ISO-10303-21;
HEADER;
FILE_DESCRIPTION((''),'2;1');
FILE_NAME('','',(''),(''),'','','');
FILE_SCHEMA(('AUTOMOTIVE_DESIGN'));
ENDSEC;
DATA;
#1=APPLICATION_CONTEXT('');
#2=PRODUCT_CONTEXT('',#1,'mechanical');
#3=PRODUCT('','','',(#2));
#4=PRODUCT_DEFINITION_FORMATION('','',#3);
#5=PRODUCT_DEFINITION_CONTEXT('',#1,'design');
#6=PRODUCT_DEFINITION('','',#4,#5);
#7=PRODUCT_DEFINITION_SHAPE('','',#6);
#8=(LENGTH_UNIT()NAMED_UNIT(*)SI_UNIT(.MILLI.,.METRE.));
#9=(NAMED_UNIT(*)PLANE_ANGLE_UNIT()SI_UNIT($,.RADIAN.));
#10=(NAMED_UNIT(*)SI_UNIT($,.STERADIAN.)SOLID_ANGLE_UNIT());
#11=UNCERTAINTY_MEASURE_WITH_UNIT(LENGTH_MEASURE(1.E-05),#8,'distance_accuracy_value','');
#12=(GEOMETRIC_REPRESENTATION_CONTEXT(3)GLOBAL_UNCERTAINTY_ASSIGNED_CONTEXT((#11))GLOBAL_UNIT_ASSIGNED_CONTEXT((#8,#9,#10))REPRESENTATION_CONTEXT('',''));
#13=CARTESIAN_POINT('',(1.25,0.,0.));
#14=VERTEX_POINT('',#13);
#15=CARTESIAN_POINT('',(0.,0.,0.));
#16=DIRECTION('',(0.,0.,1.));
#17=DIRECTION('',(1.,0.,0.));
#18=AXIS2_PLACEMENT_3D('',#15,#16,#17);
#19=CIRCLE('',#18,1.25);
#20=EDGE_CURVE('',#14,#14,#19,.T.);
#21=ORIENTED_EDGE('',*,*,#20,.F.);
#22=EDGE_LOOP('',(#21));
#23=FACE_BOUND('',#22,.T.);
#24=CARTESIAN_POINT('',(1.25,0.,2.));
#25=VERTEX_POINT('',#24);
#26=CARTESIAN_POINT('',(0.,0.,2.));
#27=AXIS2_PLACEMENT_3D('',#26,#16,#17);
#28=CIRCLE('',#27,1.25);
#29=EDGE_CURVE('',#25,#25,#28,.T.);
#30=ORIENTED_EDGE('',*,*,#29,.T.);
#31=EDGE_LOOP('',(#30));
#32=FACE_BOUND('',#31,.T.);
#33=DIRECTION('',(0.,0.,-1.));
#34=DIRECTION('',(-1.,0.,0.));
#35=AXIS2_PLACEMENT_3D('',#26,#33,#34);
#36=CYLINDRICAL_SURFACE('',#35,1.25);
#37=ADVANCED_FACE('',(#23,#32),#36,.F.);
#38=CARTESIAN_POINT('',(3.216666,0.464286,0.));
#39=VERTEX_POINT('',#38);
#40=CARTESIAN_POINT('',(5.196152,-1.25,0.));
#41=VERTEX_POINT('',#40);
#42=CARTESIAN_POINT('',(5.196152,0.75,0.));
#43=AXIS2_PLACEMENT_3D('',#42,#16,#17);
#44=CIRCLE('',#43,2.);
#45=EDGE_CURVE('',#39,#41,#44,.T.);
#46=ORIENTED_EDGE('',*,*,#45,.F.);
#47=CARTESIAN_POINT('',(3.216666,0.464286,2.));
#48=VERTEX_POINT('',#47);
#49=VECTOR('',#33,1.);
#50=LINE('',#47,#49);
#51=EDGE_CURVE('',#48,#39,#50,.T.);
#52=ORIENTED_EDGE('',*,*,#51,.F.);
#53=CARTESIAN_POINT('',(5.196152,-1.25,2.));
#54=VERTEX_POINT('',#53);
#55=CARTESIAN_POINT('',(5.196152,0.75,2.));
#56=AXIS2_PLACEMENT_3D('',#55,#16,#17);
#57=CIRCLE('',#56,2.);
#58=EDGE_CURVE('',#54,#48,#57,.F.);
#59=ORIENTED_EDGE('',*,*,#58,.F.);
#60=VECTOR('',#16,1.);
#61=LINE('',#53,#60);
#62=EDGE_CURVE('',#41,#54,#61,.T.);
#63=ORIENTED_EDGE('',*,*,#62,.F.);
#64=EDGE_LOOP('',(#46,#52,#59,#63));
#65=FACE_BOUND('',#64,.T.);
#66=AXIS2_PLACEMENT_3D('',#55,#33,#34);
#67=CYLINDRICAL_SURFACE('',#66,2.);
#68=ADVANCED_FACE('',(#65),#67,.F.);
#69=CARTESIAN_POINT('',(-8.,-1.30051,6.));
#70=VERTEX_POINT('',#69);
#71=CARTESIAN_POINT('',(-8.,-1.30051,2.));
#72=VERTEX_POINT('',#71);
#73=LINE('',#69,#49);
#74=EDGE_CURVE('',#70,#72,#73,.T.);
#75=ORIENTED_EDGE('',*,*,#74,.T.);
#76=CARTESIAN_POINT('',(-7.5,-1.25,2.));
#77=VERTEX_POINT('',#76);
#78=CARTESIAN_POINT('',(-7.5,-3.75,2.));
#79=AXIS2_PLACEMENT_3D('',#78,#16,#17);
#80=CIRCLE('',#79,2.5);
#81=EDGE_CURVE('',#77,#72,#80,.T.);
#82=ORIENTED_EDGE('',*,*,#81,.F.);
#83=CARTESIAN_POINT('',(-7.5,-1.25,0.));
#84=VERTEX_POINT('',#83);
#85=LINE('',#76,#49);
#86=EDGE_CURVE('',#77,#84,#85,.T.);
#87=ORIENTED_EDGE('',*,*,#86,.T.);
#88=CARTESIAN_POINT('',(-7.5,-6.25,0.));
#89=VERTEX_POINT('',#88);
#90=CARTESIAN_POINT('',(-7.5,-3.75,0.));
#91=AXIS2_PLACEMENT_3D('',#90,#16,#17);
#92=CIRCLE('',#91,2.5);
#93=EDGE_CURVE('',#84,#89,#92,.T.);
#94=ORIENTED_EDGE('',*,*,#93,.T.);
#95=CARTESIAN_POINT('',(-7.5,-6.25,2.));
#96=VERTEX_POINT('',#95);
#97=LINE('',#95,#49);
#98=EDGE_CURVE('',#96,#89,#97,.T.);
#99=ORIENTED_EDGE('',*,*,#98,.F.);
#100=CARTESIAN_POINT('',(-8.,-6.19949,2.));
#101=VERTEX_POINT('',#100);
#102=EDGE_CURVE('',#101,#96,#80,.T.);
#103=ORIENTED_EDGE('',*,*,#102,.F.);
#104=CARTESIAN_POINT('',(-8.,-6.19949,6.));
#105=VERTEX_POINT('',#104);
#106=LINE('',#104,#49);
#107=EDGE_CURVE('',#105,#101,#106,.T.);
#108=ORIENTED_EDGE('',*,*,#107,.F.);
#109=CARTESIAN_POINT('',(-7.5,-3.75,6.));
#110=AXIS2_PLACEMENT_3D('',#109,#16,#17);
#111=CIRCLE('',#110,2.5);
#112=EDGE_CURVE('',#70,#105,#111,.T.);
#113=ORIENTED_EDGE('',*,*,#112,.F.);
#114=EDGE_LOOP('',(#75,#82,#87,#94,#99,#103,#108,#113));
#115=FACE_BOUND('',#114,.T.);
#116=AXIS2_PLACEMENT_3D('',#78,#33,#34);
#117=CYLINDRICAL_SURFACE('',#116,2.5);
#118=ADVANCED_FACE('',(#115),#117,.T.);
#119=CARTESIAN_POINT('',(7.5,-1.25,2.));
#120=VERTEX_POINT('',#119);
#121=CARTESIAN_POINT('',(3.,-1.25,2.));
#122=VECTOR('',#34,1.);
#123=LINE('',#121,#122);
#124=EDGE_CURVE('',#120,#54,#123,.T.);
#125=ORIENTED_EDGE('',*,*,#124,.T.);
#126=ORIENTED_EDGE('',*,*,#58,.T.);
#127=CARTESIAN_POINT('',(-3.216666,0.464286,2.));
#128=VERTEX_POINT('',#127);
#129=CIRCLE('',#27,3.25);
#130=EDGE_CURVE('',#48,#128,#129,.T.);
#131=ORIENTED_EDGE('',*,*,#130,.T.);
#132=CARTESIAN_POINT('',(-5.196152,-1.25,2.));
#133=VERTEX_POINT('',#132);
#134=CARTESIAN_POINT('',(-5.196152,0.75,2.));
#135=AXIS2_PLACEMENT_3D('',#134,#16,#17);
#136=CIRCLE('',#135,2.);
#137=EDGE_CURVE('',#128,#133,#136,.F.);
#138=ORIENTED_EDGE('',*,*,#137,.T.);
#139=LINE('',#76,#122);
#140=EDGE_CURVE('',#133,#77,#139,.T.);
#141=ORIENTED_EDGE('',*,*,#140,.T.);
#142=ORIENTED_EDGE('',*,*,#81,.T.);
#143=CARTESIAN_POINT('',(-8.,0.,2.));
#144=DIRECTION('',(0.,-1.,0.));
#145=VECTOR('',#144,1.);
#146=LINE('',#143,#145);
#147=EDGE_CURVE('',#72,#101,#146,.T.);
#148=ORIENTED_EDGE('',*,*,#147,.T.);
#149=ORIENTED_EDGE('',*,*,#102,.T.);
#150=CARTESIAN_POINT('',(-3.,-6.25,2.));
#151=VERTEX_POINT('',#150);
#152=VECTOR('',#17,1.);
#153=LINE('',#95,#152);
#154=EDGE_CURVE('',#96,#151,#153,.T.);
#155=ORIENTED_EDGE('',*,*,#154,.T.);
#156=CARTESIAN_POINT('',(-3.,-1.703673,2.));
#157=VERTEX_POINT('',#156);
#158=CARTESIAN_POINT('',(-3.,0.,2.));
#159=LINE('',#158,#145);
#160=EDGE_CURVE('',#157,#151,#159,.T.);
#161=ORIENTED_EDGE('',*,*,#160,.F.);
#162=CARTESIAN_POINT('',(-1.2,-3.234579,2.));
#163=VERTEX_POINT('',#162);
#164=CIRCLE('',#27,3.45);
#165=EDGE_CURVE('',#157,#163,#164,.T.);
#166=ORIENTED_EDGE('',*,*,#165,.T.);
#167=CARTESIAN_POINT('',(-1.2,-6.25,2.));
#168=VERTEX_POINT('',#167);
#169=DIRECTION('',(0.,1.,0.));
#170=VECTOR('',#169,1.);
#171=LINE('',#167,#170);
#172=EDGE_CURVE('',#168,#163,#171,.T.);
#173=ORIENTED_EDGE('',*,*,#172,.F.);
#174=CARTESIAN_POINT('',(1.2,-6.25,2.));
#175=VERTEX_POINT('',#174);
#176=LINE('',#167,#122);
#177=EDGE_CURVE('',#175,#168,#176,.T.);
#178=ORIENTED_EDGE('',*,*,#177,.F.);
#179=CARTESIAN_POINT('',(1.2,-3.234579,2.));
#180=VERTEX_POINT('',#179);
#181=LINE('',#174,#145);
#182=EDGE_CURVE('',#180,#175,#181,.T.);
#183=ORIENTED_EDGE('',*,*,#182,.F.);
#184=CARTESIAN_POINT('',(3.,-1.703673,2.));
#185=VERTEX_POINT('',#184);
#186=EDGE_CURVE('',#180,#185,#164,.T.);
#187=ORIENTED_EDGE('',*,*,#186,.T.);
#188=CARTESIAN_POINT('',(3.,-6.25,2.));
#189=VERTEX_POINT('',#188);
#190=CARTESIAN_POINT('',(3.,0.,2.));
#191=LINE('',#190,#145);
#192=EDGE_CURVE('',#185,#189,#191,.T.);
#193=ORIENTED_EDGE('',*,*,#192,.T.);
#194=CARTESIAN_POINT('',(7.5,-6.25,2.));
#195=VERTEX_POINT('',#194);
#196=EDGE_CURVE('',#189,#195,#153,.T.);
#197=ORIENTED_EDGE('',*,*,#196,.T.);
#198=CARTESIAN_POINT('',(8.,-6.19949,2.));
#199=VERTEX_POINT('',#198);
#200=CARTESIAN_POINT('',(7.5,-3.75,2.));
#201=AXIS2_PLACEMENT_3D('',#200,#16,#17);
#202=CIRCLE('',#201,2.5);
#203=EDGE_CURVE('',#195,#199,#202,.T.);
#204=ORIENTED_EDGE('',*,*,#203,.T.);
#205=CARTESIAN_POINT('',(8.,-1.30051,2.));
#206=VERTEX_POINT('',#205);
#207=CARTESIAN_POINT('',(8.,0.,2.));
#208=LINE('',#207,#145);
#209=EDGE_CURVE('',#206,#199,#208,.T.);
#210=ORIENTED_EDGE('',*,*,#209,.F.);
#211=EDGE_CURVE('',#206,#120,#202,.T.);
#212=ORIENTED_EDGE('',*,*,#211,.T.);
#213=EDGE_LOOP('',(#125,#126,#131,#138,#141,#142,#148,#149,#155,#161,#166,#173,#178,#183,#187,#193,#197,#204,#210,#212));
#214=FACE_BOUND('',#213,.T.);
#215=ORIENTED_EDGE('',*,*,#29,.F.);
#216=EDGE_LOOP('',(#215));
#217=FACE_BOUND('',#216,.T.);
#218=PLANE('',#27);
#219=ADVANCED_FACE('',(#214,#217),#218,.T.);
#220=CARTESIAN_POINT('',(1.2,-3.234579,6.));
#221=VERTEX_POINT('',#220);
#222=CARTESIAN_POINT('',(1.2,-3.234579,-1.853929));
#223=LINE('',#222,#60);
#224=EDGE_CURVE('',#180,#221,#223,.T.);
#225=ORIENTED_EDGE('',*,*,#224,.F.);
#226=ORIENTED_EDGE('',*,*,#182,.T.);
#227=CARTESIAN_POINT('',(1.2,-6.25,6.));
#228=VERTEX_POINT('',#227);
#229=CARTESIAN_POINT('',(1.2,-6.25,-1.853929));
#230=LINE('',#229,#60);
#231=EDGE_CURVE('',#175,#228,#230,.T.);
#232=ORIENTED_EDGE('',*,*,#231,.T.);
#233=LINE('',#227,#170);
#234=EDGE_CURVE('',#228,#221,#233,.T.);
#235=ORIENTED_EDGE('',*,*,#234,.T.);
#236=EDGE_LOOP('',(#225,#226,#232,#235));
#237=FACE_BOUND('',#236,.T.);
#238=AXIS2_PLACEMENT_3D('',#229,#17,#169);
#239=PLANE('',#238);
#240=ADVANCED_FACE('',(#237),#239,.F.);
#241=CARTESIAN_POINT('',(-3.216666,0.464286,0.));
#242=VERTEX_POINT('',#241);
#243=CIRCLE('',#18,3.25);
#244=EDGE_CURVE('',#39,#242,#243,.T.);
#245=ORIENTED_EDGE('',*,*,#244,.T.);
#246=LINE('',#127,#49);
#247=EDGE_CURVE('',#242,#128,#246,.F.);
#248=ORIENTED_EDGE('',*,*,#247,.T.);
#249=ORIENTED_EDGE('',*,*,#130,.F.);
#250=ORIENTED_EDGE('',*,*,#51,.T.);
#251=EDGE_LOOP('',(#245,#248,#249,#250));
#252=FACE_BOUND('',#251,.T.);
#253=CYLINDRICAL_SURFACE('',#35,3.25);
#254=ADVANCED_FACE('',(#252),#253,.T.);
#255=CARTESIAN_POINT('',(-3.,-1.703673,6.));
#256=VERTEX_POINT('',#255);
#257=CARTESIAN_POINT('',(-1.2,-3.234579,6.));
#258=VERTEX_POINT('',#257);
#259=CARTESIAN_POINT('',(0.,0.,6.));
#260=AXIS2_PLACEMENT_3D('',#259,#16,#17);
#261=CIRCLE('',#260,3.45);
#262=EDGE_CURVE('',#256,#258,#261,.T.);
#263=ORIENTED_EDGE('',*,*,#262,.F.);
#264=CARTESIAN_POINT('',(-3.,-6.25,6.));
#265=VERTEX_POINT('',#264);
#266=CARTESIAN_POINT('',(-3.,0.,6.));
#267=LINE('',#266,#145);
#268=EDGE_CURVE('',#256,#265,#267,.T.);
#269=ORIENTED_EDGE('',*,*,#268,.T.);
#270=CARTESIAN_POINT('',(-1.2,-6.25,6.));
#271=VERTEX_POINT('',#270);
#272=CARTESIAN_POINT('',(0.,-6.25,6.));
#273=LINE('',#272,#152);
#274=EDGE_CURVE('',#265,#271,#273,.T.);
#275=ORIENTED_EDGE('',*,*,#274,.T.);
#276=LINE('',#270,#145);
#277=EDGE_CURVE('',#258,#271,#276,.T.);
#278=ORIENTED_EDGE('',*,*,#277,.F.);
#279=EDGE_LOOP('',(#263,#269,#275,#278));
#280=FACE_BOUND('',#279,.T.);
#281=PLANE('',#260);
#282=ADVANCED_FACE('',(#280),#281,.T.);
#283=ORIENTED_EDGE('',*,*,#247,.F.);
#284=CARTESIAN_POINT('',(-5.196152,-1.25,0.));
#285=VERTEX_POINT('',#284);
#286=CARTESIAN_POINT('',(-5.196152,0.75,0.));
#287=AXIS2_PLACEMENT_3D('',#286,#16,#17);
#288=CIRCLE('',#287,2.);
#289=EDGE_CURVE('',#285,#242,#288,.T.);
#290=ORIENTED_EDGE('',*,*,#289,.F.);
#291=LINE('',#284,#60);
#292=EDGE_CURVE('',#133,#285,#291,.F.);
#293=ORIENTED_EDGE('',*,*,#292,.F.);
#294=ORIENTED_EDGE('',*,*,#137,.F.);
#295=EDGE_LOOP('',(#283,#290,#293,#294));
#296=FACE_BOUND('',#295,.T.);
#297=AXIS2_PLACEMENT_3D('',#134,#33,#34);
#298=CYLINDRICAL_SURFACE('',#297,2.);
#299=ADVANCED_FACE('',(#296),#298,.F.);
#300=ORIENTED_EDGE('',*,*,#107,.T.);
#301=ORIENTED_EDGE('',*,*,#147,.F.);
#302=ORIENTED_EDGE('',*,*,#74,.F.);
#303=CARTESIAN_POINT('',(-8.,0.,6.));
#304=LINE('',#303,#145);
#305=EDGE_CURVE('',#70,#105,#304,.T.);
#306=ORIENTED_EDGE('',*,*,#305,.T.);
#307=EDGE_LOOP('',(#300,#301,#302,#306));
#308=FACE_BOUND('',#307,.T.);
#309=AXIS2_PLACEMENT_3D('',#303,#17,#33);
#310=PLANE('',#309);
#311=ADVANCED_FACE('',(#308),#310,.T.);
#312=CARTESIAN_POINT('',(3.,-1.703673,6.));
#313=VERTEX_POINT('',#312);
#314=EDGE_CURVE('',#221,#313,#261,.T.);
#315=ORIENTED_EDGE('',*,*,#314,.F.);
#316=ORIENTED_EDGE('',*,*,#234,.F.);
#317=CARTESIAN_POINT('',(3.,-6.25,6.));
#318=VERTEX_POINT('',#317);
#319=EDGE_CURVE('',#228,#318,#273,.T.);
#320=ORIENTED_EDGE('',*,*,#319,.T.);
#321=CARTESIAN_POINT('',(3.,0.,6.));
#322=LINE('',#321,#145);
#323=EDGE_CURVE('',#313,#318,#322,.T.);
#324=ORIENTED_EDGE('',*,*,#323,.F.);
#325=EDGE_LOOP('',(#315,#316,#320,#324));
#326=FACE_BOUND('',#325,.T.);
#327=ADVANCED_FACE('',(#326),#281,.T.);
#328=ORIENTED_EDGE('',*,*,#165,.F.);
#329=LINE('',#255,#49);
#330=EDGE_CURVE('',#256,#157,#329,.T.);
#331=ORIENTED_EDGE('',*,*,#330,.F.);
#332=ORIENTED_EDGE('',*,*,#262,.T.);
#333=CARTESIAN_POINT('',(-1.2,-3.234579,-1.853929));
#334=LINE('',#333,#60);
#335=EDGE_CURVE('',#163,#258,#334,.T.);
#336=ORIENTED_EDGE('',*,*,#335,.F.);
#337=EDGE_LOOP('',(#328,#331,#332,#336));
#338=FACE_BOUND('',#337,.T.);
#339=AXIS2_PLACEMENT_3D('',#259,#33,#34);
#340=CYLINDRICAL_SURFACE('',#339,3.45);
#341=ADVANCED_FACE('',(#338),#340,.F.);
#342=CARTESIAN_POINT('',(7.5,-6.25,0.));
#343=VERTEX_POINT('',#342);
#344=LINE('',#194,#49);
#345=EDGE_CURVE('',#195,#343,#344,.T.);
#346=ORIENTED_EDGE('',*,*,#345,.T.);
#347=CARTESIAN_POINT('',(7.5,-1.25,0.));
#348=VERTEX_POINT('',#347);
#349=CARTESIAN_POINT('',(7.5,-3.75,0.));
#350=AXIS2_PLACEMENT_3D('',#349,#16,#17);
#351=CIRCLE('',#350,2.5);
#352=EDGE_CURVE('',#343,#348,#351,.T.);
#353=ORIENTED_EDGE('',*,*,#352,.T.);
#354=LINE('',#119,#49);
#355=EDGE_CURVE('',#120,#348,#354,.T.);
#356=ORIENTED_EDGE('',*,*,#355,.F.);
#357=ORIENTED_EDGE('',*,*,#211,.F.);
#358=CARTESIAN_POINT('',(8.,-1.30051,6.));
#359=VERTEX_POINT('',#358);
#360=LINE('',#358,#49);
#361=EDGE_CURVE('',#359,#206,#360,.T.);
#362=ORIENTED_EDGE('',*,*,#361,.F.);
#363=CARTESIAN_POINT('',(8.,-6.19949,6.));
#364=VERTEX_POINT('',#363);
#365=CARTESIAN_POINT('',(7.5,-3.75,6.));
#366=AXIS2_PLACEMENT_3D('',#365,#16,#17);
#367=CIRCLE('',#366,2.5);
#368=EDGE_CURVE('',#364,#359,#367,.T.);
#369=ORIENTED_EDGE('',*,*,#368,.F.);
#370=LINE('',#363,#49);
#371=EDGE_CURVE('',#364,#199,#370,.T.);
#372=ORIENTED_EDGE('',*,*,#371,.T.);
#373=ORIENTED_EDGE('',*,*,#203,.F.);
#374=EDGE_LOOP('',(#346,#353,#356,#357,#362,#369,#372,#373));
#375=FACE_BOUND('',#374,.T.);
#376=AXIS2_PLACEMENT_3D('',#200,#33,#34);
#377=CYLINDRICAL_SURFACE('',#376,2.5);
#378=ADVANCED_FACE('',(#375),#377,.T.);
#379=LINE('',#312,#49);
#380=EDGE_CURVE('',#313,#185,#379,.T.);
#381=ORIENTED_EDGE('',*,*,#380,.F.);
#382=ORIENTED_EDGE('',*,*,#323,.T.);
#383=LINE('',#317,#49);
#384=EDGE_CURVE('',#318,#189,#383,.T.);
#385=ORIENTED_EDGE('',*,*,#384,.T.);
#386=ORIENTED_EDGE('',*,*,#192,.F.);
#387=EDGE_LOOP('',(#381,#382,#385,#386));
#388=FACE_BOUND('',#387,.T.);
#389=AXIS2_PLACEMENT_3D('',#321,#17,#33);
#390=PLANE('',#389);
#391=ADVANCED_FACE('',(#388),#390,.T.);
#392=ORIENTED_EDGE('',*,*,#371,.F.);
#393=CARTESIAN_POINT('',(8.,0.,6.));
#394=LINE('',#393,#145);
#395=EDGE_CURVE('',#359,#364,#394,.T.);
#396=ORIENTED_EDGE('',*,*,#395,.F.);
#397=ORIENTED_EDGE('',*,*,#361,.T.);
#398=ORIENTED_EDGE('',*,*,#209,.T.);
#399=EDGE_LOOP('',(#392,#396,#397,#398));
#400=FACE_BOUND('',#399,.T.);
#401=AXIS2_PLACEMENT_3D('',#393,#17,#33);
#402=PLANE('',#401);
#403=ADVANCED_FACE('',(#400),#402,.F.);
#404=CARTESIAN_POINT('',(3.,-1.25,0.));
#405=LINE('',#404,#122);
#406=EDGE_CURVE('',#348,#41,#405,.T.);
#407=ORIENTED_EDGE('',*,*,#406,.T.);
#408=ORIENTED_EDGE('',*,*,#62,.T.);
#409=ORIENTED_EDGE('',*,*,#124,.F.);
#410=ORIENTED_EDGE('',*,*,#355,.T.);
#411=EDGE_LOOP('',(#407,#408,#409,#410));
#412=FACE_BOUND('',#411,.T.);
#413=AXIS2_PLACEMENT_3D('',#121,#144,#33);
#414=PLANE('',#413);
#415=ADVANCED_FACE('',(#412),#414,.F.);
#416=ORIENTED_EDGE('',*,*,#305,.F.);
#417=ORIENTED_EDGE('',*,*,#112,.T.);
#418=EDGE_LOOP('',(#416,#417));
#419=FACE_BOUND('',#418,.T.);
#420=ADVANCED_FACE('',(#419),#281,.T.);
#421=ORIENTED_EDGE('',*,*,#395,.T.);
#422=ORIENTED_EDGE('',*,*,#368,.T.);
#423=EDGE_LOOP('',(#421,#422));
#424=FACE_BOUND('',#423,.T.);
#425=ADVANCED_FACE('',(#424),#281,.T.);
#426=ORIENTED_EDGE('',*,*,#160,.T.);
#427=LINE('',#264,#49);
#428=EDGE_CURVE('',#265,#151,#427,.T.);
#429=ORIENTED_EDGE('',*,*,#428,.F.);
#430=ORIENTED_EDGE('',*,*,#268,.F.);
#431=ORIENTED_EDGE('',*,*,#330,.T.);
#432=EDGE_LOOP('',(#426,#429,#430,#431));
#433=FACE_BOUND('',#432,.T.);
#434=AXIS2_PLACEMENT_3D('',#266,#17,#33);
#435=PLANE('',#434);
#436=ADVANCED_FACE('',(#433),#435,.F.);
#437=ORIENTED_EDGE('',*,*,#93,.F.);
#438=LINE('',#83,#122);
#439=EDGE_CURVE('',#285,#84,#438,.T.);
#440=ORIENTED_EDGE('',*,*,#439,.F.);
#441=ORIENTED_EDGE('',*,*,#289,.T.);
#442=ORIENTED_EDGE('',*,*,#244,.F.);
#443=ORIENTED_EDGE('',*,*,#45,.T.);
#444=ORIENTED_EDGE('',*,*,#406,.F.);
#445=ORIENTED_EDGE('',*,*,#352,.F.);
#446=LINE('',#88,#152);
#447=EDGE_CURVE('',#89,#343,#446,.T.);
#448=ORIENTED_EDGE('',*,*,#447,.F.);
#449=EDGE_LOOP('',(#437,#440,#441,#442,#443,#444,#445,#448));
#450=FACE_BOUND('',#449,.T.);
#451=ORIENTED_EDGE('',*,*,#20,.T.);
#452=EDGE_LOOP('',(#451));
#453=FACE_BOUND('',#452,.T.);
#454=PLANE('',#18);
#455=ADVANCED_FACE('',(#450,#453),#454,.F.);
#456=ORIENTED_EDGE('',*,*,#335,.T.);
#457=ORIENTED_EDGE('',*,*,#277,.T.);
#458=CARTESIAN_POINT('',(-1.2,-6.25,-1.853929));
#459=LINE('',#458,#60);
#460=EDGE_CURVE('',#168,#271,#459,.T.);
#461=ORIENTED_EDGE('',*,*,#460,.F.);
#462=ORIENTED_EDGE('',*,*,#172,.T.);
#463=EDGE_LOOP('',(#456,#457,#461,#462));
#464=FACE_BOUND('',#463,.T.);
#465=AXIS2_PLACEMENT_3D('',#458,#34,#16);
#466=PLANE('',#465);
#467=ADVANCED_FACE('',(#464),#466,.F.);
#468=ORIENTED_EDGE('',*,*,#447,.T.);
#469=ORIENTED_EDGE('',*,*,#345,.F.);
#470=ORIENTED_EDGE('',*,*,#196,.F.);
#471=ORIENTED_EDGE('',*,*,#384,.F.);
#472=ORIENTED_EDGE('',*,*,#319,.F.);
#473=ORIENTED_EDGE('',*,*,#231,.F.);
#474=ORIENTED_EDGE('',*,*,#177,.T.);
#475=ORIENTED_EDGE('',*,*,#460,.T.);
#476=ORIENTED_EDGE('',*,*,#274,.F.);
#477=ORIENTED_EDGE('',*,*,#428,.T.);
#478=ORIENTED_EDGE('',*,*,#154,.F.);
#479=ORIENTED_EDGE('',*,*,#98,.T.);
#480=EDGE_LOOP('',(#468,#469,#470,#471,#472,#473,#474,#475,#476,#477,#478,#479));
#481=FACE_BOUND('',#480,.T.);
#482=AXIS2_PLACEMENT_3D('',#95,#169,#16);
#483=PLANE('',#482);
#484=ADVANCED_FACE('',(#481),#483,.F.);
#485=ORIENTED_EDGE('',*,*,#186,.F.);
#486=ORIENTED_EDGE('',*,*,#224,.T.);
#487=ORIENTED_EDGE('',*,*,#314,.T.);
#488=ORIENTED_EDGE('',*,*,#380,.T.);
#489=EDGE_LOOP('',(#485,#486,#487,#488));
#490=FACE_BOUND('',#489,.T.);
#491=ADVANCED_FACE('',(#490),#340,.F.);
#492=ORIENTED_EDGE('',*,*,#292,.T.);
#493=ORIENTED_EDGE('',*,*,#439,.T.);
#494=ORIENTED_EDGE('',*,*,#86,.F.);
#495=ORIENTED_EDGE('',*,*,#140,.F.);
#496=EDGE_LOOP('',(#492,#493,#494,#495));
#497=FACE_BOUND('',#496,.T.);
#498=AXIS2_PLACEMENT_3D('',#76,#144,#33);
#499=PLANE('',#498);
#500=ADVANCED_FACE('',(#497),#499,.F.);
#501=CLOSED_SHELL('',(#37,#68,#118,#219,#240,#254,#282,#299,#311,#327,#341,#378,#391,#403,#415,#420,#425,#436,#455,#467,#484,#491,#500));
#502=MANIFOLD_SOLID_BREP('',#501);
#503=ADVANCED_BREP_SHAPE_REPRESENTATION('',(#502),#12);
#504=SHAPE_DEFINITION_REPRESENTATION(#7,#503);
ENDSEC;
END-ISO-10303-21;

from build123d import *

# Parameters (mm, degrees)
SKETCH1_R           = 1.25
BOSS_EXTRUDE1_DEPTH = 2
BOSS_EXTRUDE2_DEPTH = 4
FILLET1_R           = 2
SKETCH3_W           = 2.4
SKETCH3_H           = 3.015421202
CUT_EXTRUDE1_DEPTH  = 4


with BuildPart() as part:
    # Sketch1 → Boss-Extrude1 (new body)
    with BuildSketch(Plane.XY):
        with BuildLine():
            Line((-7.5, -1.25), (-3, -1.25))
            ThreePointArc((-3, -1.25), (0, 3.25), (3, -1.25))
            Line((3, -1.25), (7.5, -1.25))
            ThreePointArc((7.5, -1.25), (10, -3.75), (7.5, -6.25))
            Line((7.5, -6.25), (-7.5, -6.25))
            ThreePointArc((-7.5, -6.25), (-10, -3.75), (-7.5, -1.25))
        make_face()
        Circle(SKETCH1_R, mode=Mode.SUBTRACT)
    extrude(amount=BOSS_EXTRUDE1_DEPTH)

    # Sketch2 → Boss-Extrude2 (add)
    with BuildSketch(Plane.XY.offset(2)):
        with BuildLine():
            Line((-8, -6.199489743), (-8, -1.300510257))
            ThreePointArc((-8, -1.300510257), (-10, -3.75), (-8, -6.199489743))
        make_face()
        with BuildLine():
            ThreePointArc((3, -1.703672504), (0, -3.45), (-3, -1.703672504))
            Line((-3, -1.703672504), (-3, -6.25))
            Line((-3, -6.25), (3, -6.25))
            Line((3, -6.25), (3, -1.703672504))
        make_face()
        with BuildLine():
            ThreePointArc((8, -6.199489743), (10, -3.75), (8, -1.300510257))
            Line((8, -1.300510257), (8, -6.199489743))
        make_face()
    extrude(amount=BOSS_EXTRUDE2_DEPTH)

    # Fillet1
    fillet1_edges = [part.edges().sort_by_distance(p)[0] for p in [
        (3, -1.25, 1),
        (-3, -1.25, 1),
    ]]
    fillet(fillet1_edges, radius=FILLET1_R)

    # Sketch3 → Cut-Extrude1 (cut)
    with BuildSketch(Plane.XY.offset(6)):
        with Locations((0, -4.742289399)):
            Rectangle(SKETCH3_W, SKETCH3_H)
    extrude(amount=-CUT_EXTRUDE1_DEPTH, mode=Mode.SUBTRACT)


solid = part.part
